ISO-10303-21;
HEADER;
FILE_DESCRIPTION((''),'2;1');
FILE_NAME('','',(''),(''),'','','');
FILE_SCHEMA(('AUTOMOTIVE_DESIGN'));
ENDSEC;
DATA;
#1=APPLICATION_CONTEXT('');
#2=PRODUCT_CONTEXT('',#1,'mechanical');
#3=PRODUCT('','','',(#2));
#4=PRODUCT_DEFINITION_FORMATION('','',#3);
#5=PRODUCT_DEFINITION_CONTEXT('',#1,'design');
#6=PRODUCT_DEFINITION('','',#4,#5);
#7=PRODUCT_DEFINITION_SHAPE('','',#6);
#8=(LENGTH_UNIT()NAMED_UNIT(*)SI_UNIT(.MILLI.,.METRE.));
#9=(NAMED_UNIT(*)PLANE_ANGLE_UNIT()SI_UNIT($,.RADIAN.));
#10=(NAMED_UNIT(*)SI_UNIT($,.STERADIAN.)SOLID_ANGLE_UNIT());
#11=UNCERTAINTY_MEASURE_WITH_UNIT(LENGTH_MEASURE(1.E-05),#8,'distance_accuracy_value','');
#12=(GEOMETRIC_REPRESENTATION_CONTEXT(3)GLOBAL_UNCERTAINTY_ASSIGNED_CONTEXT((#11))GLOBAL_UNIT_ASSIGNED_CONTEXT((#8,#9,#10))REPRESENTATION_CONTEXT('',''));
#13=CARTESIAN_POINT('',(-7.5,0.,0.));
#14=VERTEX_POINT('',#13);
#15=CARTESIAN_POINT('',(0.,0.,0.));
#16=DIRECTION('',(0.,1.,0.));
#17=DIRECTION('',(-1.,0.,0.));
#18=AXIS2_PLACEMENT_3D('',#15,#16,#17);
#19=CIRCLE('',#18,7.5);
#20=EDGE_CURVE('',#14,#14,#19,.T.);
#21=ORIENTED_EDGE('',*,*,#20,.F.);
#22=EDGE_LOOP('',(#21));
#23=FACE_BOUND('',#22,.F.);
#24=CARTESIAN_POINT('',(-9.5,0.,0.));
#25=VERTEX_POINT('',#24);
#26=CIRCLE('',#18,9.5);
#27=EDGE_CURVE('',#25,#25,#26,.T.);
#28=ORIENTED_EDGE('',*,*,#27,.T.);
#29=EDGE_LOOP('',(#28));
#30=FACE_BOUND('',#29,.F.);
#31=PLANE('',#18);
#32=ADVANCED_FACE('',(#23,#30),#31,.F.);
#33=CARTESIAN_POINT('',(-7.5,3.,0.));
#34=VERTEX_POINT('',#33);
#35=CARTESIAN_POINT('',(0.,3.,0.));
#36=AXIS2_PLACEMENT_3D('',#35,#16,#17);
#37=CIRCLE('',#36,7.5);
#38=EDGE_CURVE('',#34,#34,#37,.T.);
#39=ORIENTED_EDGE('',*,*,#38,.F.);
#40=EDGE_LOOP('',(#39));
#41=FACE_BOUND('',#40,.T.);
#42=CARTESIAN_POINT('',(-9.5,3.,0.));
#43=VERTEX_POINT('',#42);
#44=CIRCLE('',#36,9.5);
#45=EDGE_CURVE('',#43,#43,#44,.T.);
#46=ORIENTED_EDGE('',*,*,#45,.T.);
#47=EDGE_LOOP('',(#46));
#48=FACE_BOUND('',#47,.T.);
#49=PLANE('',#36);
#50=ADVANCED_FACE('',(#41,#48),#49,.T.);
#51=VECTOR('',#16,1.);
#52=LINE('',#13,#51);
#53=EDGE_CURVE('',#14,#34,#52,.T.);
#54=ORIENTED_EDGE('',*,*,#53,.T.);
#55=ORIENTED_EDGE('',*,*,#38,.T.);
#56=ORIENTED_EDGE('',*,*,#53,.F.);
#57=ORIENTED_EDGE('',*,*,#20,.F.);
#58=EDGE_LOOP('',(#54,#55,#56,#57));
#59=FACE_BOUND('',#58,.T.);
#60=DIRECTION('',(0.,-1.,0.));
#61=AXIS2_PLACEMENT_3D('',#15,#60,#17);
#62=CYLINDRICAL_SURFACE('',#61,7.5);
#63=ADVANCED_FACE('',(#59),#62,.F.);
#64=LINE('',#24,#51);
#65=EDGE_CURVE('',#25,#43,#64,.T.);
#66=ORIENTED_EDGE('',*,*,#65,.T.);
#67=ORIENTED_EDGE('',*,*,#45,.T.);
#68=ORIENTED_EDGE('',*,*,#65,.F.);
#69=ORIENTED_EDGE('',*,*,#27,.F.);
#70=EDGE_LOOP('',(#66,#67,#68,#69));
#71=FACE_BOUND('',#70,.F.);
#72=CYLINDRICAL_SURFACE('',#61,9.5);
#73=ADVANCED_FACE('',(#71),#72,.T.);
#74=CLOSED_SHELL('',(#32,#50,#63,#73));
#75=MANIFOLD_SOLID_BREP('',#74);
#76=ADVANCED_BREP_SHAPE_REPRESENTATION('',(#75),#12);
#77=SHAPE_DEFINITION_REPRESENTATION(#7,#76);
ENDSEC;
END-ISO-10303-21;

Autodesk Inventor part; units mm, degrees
ref_plane "YZ Plane" through (0, 0, 0) normal (1, 0, 0) x (0, 1, 0)
ref_plane "XZ Plane" through (0, 0, 0) normal (0, 1, 0) x (-1, 0, 0)
ref_plane "XY Plane" through (0, 0, 0) normal (0, 0, 1) x (1, 0, 0)
sketch "Sketch1" plane through (0, 0, 0) normal (0, 1, 0) x (-1, 0, 0)
  circle A0 centre (0, 0) radius 9.5
  circle A1 centre (0, 0) radius 7.5
  dimension "d0" = 19
  dimension "d1" = 15
extrude "Extrusion1" add sketch "Sketch1" along normal blind 3
properties part number "3mm 0.5in Hex Spacer"
